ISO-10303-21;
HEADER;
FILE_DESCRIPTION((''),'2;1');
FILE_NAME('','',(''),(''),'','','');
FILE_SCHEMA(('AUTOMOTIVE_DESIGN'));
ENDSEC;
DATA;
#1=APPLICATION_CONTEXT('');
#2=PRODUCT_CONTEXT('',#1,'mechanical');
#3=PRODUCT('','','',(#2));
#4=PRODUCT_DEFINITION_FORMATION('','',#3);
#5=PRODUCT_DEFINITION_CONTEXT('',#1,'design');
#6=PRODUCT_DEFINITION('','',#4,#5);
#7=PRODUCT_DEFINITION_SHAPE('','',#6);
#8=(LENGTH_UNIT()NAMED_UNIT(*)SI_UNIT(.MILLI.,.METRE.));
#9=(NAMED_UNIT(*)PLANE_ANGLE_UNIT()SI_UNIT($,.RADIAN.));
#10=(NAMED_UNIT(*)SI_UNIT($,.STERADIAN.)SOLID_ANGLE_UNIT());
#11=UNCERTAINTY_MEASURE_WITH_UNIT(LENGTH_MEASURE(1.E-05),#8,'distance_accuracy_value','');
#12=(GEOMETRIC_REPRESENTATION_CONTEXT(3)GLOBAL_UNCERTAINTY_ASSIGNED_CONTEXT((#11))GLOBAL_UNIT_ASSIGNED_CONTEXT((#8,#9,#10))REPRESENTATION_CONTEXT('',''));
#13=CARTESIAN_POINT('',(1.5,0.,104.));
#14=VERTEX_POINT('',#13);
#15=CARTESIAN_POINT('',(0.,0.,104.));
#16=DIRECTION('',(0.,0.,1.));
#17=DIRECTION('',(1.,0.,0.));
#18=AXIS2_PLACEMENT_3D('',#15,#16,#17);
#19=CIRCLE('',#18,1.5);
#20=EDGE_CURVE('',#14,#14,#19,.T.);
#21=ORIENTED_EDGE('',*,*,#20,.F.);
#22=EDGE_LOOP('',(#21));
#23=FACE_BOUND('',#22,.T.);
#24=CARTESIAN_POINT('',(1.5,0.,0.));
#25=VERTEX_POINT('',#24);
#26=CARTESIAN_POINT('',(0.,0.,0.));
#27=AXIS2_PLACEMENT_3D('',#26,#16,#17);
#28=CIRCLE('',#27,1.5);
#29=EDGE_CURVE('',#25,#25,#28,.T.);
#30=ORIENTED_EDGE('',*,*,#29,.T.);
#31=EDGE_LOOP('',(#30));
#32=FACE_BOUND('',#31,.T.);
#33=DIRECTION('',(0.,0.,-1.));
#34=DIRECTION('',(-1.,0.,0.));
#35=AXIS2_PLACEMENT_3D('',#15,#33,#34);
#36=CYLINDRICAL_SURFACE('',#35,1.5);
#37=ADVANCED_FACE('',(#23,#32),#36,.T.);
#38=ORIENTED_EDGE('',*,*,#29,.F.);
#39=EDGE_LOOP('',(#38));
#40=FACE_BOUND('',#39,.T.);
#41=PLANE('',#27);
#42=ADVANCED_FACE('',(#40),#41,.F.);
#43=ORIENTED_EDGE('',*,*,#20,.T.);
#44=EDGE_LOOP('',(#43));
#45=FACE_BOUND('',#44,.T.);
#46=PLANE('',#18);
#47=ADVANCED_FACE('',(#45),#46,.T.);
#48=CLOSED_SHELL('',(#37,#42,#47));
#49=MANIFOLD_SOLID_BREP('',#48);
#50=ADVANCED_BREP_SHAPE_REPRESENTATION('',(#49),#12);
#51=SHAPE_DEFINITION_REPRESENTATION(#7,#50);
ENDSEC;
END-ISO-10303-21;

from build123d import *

# Parameters (mm, degrees)
SKETCH1_R           = 1.5
BOSS_EXTRUDE1_DEPTH = 104


with BuildPart() as part:
    # Sketch1 → Boss-Extrude1 (new body)
    with BuildSketch(Plane.XY):
        Circle(SKETCH1_R)
    extrude(amount=BOSS_EXTRUDE1_DEPTH)


solid = part.part
